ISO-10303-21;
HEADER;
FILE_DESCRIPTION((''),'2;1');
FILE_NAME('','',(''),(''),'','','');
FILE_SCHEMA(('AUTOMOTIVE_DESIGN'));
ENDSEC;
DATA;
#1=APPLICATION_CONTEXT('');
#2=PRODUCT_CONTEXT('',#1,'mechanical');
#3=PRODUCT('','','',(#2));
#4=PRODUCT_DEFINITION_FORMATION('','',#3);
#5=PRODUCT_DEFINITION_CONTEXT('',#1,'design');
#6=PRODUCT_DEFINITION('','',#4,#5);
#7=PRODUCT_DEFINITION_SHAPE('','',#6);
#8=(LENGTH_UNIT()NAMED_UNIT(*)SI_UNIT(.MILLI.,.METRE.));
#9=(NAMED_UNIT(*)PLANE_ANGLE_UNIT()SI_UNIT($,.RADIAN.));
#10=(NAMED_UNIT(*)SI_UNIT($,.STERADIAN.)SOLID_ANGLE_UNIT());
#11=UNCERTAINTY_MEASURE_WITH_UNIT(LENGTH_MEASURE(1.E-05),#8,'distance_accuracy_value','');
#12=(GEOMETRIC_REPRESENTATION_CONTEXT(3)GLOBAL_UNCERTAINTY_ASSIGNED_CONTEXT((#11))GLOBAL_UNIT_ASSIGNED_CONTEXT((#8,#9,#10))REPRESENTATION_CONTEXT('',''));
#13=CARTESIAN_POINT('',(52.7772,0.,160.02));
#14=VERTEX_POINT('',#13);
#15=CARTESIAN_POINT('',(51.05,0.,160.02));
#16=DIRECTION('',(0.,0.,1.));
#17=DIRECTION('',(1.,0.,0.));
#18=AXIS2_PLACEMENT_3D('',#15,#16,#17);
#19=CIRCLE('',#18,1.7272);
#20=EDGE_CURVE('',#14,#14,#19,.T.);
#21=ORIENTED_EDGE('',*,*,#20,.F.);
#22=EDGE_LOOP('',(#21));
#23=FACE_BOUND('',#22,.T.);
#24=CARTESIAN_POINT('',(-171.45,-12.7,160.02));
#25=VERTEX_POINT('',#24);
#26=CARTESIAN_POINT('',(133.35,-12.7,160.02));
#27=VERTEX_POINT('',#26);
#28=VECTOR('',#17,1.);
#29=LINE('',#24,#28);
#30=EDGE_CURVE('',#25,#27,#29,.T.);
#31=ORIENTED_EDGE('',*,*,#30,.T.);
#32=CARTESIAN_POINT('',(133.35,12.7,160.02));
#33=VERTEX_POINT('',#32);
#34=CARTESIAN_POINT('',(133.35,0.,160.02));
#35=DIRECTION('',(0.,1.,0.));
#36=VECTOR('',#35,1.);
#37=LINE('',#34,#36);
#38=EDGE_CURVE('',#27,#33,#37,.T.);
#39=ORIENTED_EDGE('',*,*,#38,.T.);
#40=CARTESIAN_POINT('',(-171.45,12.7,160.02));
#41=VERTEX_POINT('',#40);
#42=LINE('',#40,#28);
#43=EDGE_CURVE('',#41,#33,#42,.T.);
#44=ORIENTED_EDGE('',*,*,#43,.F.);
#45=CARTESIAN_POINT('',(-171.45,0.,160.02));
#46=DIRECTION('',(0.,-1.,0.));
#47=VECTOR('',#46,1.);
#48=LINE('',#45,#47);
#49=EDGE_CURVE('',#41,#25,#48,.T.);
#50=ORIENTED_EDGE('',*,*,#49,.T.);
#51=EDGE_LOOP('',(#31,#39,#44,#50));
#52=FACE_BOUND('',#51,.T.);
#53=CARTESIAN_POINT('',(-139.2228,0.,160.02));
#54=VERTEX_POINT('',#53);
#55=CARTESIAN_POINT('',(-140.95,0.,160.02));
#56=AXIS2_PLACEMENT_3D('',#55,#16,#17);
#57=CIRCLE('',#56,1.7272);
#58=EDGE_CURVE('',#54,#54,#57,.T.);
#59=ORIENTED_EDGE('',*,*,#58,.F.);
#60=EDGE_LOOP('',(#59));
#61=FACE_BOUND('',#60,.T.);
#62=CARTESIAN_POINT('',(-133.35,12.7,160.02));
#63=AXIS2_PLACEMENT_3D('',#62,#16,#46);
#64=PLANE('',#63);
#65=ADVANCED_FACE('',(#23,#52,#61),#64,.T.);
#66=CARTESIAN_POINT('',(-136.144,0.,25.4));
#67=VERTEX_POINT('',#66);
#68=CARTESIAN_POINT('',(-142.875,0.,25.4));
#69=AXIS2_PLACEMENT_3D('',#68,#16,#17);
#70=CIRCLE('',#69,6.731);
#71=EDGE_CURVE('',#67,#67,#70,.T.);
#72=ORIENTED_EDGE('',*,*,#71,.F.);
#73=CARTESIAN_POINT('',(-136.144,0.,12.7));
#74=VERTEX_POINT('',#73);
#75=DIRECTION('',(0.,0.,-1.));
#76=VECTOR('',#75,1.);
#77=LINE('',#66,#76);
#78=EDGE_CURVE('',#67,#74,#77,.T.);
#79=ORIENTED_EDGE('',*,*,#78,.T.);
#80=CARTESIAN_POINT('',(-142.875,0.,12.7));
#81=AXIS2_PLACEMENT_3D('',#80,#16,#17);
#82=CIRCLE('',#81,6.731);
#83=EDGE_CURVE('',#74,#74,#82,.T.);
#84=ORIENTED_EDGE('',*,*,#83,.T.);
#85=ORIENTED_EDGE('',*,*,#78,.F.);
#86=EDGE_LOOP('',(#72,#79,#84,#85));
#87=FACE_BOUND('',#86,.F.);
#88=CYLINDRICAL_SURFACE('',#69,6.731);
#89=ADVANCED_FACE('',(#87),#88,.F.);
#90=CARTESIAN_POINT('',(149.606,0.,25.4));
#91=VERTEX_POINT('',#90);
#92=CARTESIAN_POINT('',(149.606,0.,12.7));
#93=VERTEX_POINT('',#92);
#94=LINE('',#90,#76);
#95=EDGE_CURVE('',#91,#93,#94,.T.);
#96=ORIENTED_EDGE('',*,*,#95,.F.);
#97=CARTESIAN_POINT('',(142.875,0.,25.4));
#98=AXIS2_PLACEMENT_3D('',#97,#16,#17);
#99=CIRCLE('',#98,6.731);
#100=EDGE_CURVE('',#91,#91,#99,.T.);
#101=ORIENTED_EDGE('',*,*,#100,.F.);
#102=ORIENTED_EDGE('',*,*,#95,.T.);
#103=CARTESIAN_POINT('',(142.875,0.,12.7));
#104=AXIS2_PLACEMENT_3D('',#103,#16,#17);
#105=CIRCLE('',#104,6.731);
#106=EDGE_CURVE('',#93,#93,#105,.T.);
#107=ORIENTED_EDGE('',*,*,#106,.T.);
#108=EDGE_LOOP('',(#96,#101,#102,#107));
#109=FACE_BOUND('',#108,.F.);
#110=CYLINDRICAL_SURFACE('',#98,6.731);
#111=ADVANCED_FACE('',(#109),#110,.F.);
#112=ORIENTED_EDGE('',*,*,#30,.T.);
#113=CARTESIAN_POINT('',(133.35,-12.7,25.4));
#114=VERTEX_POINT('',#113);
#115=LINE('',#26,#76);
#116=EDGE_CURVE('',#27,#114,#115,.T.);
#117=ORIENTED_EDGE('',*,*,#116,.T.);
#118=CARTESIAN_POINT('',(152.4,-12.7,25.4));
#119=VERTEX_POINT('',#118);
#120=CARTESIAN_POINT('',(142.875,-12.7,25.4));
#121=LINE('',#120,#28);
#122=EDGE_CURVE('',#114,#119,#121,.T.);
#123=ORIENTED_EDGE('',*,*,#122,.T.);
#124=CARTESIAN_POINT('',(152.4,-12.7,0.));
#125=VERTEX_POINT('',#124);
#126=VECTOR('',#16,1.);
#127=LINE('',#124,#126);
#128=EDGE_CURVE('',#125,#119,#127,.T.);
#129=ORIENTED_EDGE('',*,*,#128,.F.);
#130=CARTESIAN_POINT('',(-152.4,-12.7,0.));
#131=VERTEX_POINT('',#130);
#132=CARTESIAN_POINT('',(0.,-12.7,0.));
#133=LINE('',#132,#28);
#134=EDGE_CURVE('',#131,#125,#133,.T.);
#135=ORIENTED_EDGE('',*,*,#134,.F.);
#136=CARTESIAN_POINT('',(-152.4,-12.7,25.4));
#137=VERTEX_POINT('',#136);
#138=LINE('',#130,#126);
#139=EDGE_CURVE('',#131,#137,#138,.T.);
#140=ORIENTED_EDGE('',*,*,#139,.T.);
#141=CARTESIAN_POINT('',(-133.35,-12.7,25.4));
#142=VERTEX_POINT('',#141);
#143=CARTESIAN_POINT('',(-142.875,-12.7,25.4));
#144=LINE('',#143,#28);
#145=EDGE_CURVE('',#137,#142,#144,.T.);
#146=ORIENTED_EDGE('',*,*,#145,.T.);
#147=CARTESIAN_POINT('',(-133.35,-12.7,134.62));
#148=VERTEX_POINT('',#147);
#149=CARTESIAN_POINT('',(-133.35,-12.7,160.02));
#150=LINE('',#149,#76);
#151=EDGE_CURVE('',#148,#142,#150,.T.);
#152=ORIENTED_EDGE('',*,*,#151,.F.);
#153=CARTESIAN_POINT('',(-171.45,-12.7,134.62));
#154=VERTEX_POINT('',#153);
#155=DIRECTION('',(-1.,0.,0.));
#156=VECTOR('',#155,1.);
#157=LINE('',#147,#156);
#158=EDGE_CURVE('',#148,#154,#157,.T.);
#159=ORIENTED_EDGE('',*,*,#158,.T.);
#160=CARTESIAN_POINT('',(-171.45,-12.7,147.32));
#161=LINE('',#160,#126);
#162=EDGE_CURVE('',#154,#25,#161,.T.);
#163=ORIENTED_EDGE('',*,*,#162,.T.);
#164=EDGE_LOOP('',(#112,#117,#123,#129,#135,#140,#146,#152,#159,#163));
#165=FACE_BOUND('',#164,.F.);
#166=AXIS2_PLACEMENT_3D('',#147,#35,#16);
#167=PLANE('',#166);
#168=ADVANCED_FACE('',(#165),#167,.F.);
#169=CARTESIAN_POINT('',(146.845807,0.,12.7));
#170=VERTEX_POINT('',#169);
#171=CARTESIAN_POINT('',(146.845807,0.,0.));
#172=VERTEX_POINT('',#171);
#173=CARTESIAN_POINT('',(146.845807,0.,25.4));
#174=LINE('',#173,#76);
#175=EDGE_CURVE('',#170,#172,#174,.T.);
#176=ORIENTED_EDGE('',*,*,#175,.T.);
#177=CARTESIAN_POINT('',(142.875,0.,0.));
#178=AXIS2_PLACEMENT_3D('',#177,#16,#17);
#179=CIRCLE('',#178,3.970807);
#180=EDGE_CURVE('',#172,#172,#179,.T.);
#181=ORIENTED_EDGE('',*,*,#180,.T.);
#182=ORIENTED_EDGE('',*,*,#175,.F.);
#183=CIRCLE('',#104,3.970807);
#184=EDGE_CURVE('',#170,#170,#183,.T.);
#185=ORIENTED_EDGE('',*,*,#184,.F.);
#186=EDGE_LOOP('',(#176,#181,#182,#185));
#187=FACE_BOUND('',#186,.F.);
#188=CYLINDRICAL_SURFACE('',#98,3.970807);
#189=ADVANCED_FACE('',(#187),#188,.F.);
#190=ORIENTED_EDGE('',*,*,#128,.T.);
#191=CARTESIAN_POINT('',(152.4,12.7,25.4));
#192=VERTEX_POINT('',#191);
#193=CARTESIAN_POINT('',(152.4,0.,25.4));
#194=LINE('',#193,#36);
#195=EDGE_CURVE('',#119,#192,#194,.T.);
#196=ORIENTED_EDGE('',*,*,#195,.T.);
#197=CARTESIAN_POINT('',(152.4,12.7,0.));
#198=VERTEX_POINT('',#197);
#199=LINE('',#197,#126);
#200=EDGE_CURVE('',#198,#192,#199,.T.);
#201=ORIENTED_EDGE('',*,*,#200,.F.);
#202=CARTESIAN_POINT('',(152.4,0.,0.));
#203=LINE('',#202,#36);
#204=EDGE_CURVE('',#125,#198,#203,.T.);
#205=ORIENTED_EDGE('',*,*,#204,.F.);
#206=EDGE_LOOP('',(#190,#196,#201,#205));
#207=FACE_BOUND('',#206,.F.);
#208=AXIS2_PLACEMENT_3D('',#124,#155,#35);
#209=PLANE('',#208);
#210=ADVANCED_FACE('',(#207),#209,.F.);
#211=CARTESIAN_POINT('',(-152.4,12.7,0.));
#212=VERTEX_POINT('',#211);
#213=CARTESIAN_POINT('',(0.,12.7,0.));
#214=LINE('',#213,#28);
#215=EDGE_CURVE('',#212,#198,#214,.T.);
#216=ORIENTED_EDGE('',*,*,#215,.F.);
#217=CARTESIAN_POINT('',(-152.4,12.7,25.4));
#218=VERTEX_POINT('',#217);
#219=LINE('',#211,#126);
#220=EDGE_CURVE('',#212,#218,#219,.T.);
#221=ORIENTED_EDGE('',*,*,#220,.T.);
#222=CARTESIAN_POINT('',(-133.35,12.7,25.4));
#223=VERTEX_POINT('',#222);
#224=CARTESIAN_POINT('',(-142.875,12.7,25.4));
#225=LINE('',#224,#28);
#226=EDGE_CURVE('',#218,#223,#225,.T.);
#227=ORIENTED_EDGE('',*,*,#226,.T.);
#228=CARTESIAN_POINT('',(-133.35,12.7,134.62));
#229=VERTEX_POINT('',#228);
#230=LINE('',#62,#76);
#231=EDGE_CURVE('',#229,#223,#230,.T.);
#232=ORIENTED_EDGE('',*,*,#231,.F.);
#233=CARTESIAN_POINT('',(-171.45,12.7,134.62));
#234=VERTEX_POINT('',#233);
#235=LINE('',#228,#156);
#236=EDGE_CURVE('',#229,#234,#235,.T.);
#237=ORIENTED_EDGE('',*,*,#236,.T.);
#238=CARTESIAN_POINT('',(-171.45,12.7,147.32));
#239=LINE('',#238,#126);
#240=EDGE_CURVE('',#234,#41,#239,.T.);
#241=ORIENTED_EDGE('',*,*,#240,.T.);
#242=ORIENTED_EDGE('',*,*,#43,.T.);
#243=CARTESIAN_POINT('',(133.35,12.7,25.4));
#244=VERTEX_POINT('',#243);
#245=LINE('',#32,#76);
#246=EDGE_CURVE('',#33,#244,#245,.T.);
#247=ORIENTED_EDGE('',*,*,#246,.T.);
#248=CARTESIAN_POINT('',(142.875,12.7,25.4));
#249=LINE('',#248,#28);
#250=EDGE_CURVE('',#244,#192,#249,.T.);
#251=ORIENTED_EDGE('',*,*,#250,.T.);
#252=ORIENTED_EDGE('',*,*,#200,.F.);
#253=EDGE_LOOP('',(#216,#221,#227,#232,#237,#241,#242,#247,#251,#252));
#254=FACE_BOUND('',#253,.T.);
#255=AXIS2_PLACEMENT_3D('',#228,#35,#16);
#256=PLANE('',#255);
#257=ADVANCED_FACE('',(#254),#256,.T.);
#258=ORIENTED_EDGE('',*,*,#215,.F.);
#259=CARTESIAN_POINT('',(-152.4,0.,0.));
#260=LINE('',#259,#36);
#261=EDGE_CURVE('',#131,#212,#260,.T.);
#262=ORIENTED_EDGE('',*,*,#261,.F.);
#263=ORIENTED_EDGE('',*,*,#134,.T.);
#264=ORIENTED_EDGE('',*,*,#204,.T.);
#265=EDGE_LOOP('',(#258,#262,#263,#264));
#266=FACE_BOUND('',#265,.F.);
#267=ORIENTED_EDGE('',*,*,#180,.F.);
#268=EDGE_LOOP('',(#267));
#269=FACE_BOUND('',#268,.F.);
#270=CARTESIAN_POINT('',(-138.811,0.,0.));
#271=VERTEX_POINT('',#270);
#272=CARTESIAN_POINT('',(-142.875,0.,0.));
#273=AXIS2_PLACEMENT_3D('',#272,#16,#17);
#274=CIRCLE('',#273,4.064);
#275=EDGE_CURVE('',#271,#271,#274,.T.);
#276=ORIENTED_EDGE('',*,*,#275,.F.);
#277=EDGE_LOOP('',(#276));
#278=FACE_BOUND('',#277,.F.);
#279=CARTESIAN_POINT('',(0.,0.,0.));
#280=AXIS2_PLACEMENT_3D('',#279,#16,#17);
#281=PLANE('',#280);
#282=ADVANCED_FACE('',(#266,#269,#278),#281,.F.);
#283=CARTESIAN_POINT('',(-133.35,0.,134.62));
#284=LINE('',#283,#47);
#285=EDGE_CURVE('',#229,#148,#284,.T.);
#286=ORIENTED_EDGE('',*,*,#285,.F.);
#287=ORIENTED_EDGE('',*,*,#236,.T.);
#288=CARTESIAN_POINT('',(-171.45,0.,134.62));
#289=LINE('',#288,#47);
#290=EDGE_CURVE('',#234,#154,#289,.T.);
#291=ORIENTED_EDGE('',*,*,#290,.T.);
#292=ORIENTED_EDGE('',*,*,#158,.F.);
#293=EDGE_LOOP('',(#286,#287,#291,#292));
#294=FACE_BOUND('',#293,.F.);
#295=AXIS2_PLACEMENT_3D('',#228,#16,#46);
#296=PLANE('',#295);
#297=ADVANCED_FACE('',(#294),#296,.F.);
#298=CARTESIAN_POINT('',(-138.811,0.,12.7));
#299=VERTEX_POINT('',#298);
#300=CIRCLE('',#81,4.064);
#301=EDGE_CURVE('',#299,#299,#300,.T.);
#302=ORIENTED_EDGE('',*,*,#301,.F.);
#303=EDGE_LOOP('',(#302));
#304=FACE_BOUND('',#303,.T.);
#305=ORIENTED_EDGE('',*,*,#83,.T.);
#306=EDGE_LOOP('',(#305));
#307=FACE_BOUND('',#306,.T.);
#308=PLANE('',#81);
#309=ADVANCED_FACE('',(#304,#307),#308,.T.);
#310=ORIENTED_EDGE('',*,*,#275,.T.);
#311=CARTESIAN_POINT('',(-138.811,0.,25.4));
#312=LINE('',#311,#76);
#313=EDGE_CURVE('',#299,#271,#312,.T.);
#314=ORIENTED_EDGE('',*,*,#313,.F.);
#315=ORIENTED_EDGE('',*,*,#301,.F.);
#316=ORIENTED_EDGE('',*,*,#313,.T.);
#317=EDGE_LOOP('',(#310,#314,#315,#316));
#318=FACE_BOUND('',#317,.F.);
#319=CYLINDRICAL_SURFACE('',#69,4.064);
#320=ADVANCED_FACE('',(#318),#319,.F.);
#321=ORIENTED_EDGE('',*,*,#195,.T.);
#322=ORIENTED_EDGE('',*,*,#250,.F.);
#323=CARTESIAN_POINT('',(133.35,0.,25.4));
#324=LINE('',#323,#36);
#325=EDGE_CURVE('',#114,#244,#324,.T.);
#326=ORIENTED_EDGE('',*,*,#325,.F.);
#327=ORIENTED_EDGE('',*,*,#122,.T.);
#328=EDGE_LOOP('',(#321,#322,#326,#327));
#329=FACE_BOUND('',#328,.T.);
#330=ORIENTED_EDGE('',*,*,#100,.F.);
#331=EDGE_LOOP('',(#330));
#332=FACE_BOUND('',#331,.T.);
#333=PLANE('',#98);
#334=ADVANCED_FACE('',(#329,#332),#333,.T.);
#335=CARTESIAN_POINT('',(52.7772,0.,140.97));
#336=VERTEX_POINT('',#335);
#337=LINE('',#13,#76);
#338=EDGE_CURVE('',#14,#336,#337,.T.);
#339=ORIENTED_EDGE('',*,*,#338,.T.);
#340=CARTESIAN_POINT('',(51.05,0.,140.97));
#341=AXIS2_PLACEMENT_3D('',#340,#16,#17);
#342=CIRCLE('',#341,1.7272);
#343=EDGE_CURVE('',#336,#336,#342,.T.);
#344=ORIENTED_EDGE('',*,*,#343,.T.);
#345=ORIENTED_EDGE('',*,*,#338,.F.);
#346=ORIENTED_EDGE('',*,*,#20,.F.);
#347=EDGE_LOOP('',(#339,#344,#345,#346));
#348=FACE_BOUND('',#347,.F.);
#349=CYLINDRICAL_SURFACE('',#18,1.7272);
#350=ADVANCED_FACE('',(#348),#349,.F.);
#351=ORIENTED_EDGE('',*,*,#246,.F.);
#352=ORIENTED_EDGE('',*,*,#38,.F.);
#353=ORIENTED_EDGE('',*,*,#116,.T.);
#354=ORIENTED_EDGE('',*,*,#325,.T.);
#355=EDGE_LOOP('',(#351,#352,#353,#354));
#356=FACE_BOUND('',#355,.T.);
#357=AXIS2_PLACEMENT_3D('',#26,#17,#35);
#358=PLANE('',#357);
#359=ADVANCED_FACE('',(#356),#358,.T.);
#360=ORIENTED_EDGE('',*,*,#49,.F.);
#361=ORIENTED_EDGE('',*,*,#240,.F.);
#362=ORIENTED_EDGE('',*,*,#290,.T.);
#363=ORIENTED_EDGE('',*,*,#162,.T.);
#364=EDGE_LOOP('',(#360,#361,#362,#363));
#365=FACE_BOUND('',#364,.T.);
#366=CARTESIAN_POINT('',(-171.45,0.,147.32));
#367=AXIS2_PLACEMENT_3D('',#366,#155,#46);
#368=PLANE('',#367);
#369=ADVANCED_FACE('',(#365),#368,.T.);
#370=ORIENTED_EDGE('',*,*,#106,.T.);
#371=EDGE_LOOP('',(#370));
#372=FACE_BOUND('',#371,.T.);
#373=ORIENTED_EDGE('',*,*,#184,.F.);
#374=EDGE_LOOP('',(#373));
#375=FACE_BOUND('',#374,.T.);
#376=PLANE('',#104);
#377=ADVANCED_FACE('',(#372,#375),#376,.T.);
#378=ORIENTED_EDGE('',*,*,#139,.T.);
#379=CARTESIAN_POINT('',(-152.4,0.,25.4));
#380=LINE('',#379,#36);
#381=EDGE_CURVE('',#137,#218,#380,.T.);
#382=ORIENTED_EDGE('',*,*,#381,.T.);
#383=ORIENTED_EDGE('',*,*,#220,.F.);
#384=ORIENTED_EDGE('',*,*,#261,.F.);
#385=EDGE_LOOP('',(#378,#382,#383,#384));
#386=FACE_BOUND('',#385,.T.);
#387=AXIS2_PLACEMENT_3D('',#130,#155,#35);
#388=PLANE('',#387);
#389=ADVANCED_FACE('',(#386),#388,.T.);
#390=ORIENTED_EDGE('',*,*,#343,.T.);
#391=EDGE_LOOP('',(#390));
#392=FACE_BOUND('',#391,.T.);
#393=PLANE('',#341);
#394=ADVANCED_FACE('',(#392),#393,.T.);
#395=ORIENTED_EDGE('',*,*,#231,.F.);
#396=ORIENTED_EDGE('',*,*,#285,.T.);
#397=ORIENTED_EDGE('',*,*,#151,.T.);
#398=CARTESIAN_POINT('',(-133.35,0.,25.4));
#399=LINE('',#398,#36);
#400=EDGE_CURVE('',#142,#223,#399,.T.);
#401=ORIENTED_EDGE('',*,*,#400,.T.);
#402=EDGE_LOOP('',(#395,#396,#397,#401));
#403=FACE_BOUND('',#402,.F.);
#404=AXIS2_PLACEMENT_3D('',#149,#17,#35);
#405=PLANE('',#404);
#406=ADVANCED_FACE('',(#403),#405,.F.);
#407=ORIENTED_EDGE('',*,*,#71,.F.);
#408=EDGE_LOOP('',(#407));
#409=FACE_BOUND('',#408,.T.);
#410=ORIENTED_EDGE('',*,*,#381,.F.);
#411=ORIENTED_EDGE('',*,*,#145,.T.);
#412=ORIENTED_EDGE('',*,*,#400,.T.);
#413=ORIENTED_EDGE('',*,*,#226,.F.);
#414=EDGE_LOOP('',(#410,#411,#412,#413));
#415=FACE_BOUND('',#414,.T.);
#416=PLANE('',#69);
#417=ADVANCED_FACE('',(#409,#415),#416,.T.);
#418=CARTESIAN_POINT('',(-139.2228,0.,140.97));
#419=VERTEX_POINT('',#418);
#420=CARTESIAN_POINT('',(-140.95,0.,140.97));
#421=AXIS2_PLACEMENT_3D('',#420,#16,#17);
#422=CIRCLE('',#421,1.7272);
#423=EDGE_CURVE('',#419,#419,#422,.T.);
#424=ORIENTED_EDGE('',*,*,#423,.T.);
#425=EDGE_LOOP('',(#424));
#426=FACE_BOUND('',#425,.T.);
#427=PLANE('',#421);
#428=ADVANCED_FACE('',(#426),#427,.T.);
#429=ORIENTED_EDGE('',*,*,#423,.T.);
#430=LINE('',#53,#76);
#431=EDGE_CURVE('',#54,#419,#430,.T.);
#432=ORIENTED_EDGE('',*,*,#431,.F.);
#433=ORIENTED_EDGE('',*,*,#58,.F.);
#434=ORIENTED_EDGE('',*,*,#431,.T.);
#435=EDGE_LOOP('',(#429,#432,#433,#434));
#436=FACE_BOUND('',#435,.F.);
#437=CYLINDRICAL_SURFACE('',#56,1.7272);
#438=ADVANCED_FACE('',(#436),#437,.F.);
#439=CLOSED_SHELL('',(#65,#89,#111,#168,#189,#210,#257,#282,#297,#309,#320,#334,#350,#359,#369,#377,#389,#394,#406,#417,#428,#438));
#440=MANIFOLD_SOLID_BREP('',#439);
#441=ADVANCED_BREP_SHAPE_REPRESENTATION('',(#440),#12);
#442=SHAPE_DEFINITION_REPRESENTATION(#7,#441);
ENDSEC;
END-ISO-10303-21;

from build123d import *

# Parameters (mm, degrees)
F0_W      = 304.8
F0_H      = 25.4
F1_DEPTH  = 160.02
F2_W      = 19.05
F2_H      = 25.4
F3_DEPTH  = 134.62
F4_R      = 3.970807
F4_R_2    = 4.064
F5_DEPTH  = 25.401
F4_R_3    = 6.731
F6_DEPTH  = 12.7
F7_W      = 25.4
F7_H      = 25.4
F8_DEPTH  = 38.1
F9_R      = 1.7272
F10_DEPTH = 19.05


with BuildPart() as f1:
    # F0 (on Top) → F1 (new body)
    with BuildSketch(Plane.XY):
        Rectangle(F0_W, F0_H)
    extrude(amount=F1_DEPTH)

    # F2 (on face) → F3 (cut)
    with BuildSketch(Plane.XY.offset(160.02)):
        with Locations((-142.875, 0)):
            Rectangle(F2_W, F2_H)
        with Locations((142.875, 0)):
            Rectangle(F2_W, F2_H)
    extrude(amount=-F3_DEPTH, mode=Mode.SUBTRACT)

    # F4 (on face) → F5 (cut, through all)
    with BuildSketch(Plane.XY.offset(25.4)):
        with Locations((142.875, 0)):
            Circle(F4_R)
        with Locations((-142.875, 0)):
            Circle(F4_R_2)
    extrude(amount=-F5_DEPTH, mode=Mode.SUBTRACT)

    # F4 (on face) → F6 (cut)
    with BuildSketch(Plane.XY.offset(25.4)):
        with Locations((-142.875, 0)):
            Circle(F4_R_3)
        with Locations((-142.875, 0)):
            Circle(F4_R_2, mode=Mode.SUBTRACT)
        with Locations((142.875, 0)):
            Circle(F4_R_3)
        with Locations((142.875, 0)):
            Circle(F4_R, mode=Mode.SUBTRACT)
    extrude(amount=-F6_DEPTH, mode=Mode.SUBTRACT)

    # F7 (on face) → F8 (join)
    with BuildSketch(Plane(origin=(-133.35, 0, 0), x_dir=(0, -1, 0), z_dir=(-1, 0, 0))):
        with Locations((0, 147.32)):
            Rectangle(F7_W, F7_H)
    extrude(amount=F8_DEPTH)

    # F9 (on face) → F10 (cut)
    with BuildSketch(Plane.XY.offset(160.02)):
        with Locations((-140.95, 0)):
            Circle(F9_R)
        with Locations((51.05, 0)):
            Circle(F9_R)
    extrude(amount=-F10_DEPTH, mode=Mode.SUBTRACT)


solid = f1.part
